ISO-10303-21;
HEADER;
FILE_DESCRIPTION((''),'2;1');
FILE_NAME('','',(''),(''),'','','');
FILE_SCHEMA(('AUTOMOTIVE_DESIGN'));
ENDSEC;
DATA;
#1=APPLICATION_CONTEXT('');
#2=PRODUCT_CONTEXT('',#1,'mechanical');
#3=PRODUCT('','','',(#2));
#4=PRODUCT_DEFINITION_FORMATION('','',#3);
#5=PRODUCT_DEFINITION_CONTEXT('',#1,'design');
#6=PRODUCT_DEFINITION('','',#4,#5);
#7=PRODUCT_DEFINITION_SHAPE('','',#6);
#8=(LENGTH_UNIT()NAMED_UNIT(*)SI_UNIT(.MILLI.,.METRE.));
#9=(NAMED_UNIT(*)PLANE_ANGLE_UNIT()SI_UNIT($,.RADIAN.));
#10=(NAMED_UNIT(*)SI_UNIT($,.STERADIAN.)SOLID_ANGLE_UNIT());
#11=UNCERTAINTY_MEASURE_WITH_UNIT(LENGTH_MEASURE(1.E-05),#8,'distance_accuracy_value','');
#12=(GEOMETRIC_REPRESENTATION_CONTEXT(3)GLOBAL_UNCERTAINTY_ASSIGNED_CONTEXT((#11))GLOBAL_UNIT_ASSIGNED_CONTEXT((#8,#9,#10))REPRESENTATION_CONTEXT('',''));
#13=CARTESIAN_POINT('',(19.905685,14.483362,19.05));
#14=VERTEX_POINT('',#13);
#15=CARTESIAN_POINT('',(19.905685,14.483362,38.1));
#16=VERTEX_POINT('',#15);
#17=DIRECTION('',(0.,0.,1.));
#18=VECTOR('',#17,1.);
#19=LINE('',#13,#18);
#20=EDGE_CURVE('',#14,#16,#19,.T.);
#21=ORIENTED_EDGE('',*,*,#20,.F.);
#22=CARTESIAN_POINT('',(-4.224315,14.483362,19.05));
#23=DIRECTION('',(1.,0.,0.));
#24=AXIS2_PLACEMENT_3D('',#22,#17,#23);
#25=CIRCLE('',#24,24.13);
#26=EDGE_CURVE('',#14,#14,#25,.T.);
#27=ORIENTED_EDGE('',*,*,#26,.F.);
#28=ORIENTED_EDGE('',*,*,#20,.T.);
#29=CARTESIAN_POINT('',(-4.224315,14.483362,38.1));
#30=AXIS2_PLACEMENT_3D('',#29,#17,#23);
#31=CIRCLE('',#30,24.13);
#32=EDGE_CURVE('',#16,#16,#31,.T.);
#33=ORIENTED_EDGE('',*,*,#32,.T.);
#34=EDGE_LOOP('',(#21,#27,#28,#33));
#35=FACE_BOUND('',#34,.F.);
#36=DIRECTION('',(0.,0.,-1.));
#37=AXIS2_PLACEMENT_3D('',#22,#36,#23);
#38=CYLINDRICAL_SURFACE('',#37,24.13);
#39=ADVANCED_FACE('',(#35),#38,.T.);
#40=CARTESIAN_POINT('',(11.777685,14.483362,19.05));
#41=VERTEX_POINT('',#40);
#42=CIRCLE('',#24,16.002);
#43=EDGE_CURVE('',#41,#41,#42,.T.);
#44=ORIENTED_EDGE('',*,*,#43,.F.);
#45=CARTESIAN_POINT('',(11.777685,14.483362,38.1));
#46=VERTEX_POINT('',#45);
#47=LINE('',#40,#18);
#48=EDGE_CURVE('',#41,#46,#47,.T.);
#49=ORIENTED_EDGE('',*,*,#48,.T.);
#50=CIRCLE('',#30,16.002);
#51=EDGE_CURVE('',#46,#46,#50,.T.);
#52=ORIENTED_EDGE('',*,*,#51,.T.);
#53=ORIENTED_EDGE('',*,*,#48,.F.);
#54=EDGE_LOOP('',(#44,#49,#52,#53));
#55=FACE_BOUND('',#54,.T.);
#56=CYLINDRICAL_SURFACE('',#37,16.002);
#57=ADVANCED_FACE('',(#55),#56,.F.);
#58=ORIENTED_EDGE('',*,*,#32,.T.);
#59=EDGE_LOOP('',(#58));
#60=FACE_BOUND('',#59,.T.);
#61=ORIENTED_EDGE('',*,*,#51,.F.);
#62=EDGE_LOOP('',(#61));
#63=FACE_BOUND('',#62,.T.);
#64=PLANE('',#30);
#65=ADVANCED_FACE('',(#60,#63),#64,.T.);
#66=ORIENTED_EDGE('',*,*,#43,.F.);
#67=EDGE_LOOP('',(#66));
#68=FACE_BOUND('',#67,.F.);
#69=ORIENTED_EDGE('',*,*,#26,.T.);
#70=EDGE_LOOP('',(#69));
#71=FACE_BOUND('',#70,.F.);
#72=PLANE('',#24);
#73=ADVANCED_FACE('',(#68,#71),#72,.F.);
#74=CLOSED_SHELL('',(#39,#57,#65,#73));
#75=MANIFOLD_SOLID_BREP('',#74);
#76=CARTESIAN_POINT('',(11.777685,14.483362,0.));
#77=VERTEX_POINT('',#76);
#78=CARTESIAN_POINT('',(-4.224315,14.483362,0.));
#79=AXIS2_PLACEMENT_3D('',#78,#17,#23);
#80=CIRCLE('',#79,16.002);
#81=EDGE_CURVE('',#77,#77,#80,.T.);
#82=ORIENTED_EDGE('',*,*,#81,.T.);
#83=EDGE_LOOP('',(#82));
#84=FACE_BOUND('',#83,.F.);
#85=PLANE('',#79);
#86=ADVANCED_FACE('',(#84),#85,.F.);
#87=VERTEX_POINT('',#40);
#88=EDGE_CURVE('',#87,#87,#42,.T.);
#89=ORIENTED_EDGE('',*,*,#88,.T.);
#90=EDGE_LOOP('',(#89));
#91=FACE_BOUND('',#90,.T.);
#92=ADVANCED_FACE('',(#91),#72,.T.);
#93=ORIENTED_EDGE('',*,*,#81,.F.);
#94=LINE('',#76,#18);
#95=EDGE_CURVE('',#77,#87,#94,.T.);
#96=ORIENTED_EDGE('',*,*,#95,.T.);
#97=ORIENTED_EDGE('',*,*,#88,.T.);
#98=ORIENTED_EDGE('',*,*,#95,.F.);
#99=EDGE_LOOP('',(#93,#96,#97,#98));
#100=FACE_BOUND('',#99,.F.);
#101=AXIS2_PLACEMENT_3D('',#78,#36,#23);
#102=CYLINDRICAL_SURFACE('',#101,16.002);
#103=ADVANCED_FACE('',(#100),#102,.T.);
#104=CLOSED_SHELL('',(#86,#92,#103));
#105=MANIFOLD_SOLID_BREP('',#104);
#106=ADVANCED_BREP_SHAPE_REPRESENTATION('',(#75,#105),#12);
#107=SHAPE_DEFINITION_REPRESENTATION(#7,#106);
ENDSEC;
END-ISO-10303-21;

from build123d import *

# Parameters (mm, degrees)
F0_R     = 16.002
F1_DEPTH = 19.05
F2_R     = 24.13
F2_R_2   = 16.002
F3_DEPTH = 19.05


with BuildPart() as f1:
    # F0 (on Top) → F1 (new body)
    with BuildSketch(Plane.XY):
        with Locations((-4.224315, 14.483362)):
            Circle(F0_R)
    extrude(amount=F1_DEPTH)


with BuildPart() as f3:
    # F2 (on face) → F3 (new body)
    with BuildSketch(Plane.XY.offset(19.05)):
        with Locations((-4.224315, 14.483362)):
            Circle(F2_R)
        with Locations((-4.224315, 14.483362)):
            Circle(F2_R_2, mode=Mode.SUBTRACT)
    extrude(amount=F3_DEPTH)


solid = Compound([f1.part, f3.part])
